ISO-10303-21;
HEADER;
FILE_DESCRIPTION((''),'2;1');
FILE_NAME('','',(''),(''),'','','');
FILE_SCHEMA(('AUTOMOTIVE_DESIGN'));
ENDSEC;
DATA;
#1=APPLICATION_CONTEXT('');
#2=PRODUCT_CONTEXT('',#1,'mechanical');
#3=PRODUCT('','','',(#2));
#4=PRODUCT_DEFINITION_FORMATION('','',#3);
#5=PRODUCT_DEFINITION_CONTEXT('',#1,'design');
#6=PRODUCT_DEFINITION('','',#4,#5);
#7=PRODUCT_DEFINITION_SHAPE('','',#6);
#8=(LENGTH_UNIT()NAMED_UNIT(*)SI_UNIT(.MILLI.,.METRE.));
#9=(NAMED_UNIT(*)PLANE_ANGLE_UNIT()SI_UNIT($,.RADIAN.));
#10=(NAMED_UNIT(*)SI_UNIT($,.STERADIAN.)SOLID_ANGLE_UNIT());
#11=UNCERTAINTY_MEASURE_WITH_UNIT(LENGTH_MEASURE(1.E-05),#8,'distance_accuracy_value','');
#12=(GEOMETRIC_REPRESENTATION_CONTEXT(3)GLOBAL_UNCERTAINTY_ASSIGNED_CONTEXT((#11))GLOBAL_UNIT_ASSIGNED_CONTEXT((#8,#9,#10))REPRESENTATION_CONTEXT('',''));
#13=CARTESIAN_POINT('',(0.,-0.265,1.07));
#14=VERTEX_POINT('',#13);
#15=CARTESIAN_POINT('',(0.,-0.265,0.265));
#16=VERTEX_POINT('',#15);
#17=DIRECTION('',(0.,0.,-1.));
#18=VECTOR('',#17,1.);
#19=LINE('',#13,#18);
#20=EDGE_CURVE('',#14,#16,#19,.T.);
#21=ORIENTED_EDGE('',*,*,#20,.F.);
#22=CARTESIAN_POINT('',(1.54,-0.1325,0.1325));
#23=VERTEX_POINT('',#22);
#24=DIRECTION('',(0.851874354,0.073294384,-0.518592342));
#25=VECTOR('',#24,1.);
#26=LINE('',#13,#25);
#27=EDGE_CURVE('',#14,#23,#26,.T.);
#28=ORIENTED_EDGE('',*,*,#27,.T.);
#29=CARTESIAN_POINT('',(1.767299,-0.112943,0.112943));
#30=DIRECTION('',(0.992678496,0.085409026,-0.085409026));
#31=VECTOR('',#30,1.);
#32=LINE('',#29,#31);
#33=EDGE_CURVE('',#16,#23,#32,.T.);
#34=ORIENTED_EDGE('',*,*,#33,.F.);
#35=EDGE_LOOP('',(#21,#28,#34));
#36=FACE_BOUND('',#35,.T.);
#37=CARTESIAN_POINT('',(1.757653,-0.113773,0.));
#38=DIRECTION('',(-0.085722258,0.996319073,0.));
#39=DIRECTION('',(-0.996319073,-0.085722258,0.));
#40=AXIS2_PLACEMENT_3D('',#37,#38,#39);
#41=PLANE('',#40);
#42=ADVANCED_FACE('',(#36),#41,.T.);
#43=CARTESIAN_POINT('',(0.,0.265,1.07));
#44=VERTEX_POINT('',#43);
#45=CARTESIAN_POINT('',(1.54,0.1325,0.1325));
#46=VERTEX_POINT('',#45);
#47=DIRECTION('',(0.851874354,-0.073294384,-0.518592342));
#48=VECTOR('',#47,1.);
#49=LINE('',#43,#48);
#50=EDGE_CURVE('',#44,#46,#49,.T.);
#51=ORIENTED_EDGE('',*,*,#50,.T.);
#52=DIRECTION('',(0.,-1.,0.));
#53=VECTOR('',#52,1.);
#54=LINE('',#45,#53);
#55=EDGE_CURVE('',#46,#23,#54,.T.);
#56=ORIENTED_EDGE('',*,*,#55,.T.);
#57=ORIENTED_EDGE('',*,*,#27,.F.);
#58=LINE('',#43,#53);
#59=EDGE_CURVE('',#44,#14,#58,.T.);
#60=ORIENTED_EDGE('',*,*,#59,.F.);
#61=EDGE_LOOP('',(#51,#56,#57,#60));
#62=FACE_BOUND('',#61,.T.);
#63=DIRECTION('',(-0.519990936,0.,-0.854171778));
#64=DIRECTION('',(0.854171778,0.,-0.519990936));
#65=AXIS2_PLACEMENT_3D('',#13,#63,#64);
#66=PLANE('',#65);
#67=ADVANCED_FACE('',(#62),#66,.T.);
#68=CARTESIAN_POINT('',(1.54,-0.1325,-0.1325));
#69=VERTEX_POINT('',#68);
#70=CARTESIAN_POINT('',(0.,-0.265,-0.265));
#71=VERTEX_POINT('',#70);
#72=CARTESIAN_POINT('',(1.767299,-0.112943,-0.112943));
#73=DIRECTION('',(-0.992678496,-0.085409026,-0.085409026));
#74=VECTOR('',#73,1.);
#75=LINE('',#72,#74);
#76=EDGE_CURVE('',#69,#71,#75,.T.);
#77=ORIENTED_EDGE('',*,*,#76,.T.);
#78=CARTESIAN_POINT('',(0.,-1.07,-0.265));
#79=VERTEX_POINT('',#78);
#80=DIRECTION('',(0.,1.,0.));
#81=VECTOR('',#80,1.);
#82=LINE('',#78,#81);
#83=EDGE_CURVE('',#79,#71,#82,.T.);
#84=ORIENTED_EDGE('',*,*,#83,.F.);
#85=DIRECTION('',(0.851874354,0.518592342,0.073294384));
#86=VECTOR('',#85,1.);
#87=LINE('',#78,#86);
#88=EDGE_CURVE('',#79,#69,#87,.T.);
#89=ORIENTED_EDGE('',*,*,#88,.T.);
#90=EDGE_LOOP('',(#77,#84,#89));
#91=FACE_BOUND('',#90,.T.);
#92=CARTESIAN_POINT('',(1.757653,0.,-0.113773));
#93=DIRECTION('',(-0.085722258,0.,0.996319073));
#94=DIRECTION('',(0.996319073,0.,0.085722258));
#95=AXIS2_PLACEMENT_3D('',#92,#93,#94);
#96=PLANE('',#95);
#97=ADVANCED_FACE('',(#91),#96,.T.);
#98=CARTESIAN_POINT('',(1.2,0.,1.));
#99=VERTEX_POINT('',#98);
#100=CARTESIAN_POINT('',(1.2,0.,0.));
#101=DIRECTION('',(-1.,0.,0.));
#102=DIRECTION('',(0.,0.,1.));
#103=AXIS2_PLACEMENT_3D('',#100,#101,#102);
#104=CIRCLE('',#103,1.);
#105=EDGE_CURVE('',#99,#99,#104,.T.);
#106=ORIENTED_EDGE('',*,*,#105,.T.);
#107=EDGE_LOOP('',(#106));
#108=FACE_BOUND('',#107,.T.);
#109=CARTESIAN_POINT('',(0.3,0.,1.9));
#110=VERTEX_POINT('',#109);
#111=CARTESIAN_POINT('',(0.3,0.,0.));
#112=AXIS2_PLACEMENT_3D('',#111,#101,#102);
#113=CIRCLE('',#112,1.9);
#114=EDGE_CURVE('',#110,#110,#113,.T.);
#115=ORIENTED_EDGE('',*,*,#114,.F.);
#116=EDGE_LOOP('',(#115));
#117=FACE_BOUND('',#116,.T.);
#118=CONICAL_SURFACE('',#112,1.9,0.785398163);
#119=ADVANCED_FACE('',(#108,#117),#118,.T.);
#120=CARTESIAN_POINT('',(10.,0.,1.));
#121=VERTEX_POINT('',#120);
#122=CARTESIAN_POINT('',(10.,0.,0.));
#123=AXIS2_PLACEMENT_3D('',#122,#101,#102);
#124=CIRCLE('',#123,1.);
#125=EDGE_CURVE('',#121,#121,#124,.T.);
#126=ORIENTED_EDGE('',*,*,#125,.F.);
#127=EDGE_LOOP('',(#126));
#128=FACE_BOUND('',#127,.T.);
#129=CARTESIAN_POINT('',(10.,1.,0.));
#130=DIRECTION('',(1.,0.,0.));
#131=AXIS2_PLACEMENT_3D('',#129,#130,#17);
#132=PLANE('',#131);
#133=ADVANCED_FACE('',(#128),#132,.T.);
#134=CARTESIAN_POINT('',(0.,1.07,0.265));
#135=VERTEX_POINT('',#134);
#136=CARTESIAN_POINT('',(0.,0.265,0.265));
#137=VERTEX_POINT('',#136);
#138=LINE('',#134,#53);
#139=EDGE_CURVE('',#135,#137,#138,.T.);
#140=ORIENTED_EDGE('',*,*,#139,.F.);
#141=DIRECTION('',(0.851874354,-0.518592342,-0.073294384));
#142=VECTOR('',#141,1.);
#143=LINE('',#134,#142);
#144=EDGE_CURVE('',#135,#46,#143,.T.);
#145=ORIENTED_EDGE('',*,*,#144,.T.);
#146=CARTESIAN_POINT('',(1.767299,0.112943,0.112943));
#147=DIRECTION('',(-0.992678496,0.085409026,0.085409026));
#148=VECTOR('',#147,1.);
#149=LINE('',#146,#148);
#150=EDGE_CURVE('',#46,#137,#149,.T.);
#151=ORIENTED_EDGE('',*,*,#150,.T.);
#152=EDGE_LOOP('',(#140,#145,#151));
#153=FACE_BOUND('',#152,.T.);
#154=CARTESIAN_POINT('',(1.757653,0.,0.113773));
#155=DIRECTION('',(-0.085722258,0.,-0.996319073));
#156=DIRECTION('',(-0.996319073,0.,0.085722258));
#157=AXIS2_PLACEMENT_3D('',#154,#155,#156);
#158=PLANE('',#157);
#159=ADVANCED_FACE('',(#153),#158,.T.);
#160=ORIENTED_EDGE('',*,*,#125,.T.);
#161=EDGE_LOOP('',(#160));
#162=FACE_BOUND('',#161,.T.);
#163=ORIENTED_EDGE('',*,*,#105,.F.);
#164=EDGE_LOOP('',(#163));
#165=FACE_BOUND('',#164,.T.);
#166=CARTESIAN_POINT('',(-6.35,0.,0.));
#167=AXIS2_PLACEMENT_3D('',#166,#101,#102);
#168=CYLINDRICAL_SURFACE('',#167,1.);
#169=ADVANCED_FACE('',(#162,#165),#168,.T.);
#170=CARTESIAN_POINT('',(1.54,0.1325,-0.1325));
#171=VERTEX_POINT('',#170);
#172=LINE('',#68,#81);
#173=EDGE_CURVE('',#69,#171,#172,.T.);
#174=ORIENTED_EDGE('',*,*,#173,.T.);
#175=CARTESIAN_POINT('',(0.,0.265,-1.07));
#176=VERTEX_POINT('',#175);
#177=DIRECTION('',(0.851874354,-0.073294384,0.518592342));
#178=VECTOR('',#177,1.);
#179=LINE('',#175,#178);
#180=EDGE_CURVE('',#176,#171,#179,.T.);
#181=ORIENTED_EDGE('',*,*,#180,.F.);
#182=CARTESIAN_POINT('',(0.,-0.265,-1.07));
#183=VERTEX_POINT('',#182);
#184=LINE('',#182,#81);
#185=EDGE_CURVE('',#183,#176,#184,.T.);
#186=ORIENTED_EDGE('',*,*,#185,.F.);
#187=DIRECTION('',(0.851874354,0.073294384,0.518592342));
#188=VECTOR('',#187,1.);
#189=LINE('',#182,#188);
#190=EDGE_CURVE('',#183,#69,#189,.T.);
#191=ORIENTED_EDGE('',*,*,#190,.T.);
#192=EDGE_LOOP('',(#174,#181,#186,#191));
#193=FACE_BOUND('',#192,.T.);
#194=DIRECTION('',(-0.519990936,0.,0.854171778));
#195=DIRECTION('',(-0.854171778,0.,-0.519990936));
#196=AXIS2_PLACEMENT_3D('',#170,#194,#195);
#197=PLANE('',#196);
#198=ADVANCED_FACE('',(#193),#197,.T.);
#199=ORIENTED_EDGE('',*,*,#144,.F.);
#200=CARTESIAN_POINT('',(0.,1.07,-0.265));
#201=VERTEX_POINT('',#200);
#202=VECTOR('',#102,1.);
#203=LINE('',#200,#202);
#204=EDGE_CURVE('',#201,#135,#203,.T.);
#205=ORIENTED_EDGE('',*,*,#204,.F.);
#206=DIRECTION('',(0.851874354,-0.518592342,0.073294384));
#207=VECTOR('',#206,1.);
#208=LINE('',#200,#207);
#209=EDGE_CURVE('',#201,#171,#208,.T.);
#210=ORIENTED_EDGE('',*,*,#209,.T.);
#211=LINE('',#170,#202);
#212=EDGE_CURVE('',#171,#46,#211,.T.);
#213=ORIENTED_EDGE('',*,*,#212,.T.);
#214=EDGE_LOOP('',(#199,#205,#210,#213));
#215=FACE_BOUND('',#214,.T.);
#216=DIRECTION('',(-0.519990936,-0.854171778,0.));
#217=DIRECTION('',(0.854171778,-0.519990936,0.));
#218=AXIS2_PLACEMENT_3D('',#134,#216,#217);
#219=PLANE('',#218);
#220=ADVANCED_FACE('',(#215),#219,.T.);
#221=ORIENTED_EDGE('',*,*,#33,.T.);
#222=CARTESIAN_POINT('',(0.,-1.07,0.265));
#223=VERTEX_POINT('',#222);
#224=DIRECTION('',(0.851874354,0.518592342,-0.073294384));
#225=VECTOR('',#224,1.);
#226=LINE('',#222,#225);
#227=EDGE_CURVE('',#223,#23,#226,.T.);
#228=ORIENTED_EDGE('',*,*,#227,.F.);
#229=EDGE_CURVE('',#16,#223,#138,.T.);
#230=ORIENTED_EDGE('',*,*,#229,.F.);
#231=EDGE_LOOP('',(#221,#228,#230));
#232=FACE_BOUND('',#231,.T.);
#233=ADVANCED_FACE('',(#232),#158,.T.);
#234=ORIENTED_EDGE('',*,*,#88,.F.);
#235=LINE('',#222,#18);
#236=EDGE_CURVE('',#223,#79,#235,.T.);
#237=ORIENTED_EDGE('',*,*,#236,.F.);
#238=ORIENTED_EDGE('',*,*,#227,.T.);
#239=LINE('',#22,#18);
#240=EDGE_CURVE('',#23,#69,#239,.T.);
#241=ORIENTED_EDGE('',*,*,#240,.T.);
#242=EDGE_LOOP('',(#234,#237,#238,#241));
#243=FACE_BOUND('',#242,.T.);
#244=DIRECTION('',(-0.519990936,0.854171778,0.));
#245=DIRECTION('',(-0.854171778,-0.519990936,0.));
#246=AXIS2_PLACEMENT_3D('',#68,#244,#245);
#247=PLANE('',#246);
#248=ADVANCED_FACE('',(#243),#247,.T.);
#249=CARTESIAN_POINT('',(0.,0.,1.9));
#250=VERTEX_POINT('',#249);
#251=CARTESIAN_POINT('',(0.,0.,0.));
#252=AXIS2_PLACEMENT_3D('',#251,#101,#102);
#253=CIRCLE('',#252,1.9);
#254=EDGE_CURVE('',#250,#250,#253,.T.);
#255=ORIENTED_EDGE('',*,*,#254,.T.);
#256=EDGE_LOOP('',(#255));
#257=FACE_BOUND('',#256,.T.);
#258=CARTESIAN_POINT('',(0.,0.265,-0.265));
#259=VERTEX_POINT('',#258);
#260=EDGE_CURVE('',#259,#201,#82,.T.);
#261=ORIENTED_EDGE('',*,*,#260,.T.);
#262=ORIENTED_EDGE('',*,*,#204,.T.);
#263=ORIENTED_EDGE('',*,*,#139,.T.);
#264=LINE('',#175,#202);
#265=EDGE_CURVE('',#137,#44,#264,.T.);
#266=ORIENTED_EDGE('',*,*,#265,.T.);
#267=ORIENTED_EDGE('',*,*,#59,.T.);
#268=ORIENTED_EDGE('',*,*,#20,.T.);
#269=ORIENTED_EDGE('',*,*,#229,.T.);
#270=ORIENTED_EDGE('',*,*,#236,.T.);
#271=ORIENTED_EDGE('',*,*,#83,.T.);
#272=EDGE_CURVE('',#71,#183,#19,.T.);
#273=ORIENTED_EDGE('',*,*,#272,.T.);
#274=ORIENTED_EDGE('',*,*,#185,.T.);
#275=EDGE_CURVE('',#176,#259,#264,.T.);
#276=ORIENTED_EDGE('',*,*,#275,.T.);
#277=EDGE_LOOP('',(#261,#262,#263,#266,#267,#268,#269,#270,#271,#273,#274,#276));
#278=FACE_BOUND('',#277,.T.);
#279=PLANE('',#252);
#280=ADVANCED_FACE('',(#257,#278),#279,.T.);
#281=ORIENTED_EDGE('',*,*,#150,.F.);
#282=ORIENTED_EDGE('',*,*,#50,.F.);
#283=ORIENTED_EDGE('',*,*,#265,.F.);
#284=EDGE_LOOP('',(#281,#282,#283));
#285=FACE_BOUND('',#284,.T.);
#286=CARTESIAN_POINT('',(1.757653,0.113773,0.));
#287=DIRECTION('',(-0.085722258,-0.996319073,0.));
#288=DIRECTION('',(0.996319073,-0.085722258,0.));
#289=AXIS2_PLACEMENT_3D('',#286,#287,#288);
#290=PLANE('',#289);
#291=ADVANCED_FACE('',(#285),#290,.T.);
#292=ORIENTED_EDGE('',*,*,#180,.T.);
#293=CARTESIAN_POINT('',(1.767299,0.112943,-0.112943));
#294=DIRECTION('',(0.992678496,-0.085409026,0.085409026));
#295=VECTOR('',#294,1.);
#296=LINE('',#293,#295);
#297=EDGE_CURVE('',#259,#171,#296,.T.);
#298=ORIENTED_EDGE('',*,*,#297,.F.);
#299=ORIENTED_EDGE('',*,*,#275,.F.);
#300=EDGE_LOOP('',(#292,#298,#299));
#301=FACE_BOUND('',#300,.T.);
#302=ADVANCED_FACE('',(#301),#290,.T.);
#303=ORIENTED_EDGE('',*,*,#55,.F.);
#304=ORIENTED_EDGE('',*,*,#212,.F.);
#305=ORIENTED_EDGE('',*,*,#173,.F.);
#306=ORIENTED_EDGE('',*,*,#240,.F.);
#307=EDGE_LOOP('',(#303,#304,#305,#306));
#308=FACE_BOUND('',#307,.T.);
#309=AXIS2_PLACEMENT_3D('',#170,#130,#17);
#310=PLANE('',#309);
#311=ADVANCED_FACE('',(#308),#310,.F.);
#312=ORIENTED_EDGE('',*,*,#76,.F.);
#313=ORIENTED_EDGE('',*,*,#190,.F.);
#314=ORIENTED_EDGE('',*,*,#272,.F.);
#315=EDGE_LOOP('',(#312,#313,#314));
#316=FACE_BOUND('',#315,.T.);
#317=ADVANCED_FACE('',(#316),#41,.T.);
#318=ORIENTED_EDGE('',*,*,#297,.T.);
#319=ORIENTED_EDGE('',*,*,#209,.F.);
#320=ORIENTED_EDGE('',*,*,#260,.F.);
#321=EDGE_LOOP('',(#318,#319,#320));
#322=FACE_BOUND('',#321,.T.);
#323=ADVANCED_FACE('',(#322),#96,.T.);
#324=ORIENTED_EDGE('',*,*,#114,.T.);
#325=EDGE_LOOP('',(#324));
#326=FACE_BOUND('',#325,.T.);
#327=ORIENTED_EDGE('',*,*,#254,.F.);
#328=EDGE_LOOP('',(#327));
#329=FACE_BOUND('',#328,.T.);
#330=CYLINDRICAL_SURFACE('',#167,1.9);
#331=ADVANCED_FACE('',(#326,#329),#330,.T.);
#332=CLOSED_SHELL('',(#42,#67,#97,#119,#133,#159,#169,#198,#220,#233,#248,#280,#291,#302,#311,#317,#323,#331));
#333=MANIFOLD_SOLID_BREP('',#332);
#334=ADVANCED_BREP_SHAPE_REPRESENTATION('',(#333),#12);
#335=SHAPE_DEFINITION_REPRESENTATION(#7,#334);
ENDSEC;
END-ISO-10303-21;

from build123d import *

# Parameters (mm, degrees)
SKETCH3_W         = 0.53
SKETCH3_H         = 2.14
SKETCH4_W         = 0.265
SKETCH4_H         = 0.265
CIRPATTERN1_COUNT = 2
CIRPATTERN1_ANGLE = 90


with BuildPart() as part:
    # BodySke → Base-Revolve (revolve)
    with BuildSketch(Plane.XY):
        Polygon((0, 0), (0, 1.9), (0.3, 1.9), (1.2, 1), (10, 1), (10, 0), align=None)
    revolve(axis=Axis((-6.35, 0, 0), (1, 0, 0)))

    # Sketch3 → Cross section 0
    with BuildSketch(Plane.ZY):
        Rectangle(SKETCH3_W, SKETCH3_H)
    # Sketch4 → Cross section 1
    with BuildSketch(Plane.ZY.offset(-1.54)):
        Rectangle(SKETCH4_W, SKETCH4_H)
    cross = loft(mode=Mode.SUBTRACT)

    # CirPattern1: Cross ×2 about axis
    cirpattern1_axis = Axis((0, 0, 0), (1, 0, 0))
    for i in range(1, CIRPATTERN1_COUNT):
        add(cross.rotate(cirpattern1_axis, i * CIRPATTERN1_ANGLE / (CIRPATTERN1_COUNT - 1)), mode=Mode.SUBTRACT)


solid = part.part
